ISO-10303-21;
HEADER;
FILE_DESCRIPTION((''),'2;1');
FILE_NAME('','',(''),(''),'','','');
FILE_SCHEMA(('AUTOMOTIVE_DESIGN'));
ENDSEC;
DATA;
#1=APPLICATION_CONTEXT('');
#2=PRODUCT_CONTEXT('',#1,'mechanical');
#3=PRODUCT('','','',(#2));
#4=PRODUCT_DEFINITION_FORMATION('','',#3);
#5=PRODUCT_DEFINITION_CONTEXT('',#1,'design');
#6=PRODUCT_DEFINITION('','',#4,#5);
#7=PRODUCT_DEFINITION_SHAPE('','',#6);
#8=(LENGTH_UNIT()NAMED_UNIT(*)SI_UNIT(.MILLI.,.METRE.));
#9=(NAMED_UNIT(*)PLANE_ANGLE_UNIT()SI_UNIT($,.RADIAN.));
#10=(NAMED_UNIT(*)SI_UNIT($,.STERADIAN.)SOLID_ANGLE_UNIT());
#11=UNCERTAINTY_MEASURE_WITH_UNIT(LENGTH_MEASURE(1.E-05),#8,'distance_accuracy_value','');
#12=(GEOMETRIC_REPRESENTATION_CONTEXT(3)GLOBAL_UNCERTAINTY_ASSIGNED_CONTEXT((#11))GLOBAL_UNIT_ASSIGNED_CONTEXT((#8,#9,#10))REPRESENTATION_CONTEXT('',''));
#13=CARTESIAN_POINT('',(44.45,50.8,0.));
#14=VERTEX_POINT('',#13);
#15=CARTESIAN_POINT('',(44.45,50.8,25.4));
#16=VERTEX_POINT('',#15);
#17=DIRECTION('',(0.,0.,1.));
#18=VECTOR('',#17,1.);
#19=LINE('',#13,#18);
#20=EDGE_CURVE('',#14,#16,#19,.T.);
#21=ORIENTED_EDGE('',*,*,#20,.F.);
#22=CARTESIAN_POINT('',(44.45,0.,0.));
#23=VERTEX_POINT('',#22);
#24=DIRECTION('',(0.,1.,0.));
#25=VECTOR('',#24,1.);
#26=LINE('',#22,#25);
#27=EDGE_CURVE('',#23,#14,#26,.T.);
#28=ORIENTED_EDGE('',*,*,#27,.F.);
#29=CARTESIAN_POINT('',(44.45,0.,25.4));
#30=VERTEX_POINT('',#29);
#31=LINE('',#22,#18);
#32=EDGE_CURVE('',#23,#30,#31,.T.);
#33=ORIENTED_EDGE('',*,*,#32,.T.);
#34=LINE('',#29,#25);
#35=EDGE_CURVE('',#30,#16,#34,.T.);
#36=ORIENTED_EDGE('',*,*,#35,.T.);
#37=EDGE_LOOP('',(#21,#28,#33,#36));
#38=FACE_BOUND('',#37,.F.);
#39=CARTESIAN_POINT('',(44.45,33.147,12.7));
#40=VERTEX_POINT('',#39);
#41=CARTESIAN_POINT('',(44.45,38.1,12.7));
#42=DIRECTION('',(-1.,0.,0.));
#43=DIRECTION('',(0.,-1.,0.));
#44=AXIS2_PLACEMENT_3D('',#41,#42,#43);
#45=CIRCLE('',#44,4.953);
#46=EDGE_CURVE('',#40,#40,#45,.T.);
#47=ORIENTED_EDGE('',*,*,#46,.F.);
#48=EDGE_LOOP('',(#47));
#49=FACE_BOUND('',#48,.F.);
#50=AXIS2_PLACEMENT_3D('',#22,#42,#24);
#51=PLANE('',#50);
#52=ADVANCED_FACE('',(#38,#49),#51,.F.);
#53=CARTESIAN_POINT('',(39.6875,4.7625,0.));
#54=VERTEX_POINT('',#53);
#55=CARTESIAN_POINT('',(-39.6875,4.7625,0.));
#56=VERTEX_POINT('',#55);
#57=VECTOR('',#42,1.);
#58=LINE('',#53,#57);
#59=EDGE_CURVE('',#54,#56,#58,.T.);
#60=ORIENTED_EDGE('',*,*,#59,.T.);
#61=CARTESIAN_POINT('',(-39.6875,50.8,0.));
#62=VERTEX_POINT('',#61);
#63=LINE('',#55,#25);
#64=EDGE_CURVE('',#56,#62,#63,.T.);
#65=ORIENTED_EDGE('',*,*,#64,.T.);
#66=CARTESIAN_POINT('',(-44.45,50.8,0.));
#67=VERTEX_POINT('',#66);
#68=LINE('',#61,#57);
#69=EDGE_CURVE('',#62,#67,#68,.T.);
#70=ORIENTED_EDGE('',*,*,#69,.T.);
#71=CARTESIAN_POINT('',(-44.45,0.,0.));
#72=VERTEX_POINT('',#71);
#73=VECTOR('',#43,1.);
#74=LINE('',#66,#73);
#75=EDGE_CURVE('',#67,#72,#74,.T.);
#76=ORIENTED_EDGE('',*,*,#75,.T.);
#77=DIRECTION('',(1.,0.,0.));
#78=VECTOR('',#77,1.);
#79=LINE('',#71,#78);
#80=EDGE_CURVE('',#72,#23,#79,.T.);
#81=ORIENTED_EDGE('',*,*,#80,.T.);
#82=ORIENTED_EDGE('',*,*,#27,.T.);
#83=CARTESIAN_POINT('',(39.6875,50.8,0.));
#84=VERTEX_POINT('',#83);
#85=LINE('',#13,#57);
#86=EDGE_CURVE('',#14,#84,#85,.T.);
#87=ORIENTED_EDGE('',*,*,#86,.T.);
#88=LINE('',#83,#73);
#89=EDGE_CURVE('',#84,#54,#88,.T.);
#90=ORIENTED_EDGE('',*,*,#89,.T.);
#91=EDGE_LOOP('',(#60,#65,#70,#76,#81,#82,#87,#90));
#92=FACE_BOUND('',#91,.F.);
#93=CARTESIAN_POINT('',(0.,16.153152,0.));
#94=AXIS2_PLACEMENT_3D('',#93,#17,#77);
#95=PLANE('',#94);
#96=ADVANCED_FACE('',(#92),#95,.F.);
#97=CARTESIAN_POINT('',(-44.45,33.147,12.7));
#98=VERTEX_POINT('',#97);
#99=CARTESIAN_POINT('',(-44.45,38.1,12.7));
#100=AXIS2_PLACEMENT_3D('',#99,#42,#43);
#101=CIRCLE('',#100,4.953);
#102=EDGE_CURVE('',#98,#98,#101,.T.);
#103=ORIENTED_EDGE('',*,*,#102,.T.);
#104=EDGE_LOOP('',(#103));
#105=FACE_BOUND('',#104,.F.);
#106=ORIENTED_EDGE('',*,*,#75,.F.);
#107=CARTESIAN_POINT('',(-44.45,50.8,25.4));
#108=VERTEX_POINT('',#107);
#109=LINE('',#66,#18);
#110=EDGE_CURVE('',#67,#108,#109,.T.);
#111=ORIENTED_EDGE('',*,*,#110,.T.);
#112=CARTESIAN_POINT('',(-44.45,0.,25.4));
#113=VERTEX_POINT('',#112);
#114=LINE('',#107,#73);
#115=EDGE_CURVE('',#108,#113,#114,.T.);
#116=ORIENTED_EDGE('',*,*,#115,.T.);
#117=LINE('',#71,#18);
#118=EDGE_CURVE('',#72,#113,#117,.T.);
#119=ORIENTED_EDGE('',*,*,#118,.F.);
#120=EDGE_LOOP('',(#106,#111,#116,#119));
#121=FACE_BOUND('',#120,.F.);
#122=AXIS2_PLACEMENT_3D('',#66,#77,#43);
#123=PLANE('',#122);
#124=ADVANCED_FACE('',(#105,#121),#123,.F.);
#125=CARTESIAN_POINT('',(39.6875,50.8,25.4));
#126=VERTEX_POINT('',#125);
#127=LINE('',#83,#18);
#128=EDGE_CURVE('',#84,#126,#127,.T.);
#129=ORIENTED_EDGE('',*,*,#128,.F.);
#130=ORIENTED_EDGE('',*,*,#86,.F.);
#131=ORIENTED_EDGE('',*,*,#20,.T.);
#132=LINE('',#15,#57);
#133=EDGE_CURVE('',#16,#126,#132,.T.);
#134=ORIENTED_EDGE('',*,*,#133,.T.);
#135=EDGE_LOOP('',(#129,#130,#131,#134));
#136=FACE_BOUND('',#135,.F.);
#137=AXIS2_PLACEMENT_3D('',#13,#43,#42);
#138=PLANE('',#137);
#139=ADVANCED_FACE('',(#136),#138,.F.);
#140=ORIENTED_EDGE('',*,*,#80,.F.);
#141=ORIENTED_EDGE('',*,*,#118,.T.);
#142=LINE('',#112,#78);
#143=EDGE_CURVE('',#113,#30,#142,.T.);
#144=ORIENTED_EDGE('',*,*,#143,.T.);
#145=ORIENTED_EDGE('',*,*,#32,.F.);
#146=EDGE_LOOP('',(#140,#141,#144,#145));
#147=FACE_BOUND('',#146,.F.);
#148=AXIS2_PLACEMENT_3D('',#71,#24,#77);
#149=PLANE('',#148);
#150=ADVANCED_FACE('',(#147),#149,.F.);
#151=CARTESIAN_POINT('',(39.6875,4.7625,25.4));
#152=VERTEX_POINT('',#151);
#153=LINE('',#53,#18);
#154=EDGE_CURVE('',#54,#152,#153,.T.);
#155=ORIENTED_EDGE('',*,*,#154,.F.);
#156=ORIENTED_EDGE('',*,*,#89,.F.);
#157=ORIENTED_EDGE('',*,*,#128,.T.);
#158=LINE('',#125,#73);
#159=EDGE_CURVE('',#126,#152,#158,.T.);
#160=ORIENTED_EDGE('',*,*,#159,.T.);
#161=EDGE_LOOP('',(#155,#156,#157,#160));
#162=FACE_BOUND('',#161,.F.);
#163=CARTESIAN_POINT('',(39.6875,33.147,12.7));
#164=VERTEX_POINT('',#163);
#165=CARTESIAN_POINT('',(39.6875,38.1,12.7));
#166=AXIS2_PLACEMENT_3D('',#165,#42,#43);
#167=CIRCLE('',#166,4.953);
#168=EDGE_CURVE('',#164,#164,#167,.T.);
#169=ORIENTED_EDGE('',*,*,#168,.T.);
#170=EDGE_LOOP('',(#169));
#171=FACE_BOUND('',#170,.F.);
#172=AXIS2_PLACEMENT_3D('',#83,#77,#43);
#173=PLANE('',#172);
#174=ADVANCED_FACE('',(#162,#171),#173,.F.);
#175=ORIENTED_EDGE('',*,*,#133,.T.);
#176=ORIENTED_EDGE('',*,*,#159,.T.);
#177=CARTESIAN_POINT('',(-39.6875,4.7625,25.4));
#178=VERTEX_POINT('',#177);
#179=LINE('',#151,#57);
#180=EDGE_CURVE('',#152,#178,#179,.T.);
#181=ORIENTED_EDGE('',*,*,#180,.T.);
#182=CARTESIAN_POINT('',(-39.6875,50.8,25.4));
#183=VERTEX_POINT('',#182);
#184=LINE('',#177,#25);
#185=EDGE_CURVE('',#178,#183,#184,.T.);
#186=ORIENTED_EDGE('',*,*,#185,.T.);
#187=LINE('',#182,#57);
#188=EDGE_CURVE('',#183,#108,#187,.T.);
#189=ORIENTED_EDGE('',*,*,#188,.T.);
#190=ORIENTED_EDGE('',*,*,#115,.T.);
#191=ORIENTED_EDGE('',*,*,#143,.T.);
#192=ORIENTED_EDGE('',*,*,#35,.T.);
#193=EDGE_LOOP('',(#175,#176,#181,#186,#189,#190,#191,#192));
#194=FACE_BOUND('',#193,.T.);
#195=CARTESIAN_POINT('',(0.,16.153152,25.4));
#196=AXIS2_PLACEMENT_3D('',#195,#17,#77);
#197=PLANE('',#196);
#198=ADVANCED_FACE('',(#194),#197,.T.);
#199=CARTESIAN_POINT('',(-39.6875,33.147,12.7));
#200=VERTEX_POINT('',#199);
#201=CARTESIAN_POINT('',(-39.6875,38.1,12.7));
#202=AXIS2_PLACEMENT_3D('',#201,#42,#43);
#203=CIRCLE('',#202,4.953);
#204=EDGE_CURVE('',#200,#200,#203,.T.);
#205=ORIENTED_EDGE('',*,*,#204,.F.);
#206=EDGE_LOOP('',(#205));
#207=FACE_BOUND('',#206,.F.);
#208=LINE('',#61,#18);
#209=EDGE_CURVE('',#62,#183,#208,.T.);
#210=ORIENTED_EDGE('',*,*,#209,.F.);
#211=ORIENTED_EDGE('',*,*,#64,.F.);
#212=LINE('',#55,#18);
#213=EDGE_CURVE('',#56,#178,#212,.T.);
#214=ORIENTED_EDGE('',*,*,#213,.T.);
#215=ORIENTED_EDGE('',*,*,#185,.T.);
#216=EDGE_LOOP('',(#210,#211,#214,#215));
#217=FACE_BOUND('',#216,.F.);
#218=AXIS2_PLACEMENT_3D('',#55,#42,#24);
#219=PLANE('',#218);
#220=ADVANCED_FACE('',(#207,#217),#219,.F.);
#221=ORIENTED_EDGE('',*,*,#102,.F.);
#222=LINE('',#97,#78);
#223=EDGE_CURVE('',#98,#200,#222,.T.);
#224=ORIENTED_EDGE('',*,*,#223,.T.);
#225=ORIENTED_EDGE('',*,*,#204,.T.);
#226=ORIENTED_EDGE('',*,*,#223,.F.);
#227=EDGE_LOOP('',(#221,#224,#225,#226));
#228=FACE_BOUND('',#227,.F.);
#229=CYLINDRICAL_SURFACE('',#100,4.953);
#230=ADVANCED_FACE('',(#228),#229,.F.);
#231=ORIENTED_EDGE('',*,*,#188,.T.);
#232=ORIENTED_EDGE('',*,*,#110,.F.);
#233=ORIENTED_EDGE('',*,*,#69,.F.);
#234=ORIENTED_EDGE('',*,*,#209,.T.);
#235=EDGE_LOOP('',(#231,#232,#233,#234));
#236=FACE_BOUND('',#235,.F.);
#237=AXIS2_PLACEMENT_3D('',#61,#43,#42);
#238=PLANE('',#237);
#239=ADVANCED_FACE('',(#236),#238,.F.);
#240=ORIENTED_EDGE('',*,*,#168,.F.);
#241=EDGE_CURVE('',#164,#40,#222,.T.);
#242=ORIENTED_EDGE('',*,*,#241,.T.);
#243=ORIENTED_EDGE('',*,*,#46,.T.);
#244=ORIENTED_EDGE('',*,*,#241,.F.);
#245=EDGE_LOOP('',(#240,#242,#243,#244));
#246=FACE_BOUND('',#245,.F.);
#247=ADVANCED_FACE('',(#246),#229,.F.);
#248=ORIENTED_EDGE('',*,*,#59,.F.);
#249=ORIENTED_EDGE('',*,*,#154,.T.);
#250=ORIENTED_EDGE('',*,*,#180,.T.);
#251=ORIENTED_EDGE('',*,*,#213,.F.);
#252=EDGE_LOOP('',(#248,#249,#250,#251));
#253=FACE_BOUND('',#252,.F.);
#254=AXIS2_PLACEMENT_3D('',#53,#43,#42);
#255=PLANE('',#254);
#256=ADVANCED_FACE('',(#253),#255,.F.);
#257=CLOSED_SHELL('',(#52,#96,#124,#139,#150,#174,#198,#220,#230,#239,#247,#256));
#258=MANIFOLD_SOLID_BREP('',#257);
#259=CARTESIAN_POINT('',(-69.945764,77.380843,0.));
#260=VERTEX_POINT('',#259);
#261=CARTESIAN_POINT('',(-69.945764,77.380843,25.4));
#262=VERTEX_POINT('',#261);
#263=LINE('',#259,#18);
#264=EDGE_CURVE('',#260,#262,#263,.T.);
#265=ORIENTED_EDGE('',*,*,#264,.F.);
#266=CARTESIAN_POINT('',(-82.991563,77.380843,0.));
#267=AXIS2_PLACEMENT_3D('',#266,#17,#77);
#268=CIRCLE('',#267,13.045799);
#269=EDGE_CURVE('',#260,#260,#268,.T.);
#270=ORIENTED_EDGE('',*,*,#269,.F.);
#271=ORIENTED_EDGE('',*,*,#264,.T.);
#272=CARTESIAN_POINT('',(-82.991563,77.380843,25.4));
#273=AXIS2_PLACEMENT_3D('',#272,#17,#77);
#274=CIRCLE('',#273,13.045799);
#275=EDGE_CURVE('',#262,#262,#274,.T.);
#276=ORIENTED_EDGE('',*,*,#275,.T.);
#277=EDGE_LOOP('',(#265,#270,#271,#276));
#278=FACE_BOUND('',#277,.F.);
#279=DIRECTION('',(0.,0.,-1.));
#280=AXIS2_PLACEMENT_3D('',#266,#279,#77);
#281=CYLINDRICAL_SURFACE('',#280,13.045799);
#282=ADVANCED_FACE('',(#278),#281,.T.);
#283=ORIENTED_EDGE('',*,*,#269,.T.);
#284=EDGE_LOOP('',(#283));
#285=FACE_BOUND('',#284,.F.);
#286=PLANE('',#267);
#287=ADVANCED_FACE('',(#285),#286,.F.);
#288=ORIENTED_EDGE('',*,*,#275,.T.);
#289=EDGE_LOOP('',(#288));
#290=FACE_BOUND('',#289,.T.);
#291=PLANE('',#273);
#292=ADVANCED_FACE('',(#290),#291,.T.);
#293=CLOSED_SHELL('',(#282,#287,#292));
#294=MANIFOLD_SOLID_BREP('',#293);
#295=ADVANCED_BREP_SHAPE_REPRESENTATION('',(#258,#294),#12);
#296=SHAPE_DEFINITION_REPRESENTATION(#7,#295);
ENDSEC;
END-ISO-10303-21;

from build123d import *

# Parameters (mm, degrees)
F1_DEPTH = 25.4
F2_R     = 4.953
F3_DEPTH = 88.901
F4_R     = 13.045799
F5_DEPTH = 25.4


with BuildPart() as f1:
    # F0 (on Top) → F1 (new body)
    with BuildSketch(Plane.XY):
        Polygon((-44.45, 0), (44.45, 0), (44.45, 50.8), (39.6875, 50.8), (39.6875, 4.7625), (-39.6875, 4.7625), (-39.6875, 50.8), (-44.45, 50.8), align=None)
    extrude(amount=F1_DEPTH)

    # F2 (on face) → F3 (cut, through all)
    with BuildSketch(Plane(origin=(-44.45, 0, 0), x_dir=(0, -1, 0), z_dir=(-1, 0, 0))):
        with Locations((-38.1, 12.7)):
            Circle(F2_R)
    extrude(amount=-F3_DEPTH, mode=Mode.SUBTRACT)


with BuildPart() as f5:
    # F4 (on Top) → F5 (new body)
    with BuildSketch(Plane.XY):
        with Locations((-82.991563, 77.380843)):
            Circle(F4_R)
    extrude(amount=F5_DEPTH)


solid = Compound([f1.part, f5.part])
